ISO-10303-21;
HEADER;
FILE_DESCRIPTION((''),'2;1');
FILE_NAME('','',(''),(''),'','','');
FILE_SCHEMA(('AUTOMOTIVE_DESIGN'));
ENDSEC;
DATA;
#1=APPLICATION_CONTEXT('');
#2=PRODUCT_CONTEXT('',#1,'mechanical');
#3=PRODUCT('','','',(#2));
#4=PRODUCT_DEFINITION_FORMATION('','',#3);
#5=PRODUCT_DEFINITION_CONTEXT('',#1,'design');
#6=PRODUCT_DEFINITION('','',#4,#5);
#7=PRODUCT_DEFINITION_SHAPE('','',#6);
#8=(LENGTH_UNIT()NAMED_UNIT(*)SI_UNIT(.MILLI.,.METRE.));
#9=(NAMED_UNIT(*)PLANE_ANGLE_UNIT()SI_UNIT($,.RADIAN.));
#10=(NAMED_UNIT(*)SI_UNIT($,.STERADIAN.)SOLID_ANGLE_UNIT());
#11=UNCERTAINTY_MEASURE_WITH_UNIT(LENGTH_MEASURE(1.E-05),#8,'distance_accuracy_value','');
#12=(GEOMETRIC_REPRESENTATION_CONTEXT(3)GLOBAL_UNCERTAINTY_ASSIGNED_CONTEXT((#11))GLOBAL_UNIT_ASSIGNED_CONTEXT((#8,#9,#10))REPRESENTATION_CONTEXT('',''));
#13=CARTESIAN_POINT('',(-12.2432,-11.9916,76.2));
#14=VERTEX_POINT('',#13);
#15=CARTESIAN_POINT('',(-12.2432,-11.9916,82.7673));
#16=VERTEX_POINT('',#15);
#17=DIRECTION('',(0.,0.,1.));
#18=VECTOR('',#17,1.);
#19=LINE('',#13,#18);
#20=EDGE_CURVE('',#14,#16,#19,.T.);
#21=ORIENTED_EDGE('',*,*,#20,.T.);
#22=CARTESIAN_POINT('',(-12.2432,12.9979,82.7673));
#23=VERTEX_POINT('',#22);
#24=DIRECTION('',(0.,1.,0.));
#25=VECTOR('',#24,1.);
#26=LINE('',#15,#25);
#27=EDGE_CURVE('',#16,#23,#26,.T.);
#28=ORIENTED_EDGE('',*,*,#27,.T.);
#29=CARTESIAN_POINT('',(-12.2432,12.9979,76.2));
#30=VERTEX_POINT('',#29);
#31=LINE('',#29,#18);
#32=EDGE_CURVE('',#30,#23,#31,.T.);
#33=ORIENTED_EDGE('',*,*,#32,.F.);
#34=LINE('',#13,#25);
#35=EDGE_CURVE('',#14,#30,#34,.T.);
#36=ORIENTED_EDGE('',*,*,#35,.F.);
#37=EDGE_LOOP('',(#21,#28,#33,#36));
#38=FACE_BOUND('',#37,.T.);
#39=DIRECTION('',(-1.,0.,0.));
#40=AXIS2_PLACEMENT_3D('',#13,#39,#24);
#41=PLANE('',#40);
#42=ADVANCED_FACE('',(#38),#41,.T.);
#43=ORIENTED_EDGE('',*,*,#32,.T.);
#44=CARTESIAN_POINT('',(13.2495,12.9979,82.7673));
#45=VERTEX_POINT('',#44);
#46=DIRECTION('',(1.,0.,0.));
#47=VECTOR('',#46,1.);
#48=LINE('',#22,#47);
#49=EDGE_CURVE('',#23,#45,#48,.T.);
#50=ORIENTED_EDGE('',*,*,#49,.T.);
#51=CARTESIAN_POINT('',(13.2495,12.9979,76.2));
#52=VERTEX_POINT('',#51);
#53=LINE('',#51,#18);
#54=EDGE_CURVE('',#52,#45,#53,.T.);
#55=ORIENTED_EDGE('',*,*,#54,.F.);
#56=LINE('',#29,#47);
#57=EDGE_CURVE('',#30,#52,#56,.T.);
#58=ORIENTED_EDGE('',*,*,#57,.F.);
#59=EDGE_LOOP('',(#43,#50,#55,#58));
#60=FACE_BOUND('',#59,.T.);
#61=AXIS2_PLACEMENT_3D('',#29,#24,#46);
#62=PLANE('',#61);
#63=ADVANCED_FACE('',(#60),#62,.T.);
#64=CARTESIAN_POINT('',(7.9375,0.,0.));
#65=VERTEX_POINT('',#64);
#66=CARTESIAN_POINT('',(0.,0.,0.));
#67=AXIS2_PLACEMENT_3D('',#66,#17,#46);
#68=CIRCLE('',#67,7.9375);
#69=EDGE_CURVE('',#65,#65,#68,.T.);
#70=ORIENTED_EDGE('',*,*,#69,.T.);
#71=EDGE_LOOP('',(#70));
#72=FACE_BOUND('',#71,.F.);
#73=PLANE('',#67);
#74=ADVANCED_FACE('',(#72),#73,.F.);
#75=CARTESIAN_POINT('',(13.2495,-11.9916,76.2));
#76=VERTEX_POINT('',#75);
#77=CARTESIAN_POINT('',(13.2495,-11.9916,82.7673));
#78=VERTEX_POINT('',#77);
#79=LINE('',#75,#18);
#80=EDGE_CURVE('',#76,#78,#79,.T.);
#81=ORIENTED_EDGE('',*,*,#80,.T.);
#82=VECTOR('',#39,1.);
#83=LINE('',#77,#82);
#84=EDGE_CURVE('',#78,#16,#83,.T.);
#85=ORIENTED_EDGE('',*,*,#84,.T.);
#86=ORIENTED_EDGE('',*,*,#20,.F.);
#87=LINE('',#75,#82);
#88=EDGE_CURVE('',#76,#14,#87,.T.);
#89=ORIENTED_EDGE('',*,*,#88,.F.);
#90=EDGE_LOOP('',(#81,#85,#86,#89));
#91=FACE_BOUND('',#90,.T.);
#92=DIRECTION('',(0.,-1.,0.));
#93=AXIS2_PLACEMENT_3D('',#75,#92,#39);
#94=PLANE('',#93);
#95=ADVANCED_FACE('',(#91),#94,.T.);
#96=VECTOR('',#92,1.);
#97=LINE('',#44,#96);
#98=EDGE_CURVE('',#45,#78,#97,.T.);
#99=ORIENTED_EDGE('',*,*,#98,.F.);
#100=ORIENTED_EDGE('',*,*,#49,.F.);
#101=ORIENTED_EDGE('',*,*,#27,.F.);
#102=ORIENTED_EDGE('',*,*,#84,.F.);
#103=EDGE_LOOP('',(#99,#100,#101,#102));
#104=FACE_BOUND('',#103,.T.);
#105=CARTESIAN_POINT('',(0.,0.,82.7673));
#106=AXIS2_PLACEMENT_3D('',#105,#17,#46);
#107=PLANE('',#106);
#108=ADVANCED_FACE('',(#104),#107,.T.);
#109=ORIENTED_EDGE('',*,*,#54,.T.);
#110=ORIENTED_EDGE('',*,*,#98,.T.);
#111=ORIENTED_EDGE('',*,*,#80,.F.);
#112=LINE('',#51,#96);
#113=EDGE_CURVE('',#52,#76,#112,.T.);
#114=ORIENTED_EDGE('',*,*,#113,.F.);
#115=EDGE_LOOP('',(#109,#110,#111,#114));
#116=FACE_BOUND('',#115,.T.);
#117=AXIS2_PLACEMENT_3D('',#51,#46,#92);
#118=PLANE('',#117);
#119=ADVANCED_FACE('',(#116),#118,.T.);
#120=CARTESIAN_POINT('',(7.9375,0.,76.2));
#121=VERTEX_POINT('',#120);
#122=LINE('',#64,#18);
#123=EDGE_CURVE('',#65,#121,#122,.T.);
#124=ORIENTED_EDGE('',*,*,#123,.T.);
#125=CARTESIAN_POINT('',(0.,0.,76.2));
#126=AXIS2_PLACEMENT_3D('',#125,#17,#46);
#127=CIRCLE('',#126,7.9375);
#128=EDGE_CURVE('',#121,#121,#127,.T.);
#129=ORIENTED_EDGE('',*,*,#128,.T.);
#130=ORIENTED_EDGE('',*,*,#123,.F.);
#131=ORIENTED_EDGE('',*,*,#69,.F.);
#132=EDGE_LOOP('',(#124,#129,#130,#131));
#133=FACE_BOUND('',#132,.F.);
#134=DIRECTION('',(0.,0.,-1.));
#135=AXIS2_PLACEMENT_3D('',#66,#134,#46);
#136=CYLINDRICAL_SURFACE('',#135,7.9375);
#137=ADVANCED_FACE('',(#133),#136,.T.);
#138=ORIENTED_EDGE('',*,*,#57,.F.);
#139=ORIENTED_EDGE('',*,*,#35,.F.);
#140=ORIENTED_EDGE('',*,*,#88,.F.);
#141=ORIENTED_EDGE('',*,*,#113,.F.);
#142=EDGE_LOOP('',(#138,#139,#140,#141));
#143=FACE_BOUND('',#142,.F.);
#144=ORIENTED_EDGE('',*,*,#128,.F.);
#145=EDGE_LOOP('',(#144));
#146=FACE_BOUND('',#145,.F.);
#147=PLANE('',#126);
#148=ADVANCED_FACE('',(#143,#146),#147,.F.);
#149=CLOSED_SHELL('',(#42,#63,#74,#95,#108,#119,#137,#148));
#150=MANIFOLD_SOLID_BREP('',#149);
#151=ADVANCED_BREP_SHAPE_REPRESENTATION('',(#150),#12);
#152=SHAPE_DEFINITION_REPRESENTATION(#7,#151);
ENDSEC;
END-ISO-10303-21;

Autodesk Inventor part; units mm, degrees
ref_plane "YZ Plane" through (0, 0, 0) normal (1, 0, 0) x (0, 1, 0)
ref_plane "XZ Plane" through (0, 0, 0) normal (0, 1, 0) x (-1, 0, 0)
ref_plane "XY Plane" through (0, 0, 0) normal (0, 0, 1) x (1, 0, 0)
sketch "Sketch1" plane through (0, 0, 0) normal (0, 0, 1) x (1, 0, 0)
  circle A0 centre (0, 0) radius 7.9375
  dimension "d0" = 15.875
extrude "Extrusion1" add sketch "Sketch1" along normal blind 76.2
sketch "Sketch2" plane through (0, 0, 76.2) normal (0, 0, 1) x (1, 0, 0)
  line L0 (-12.2432, 12.9979) -> (13.2495, 12.9979)
  line L1 (13.2495, 12.9979) -> (13.2495, -11.9916)
  line L2 (13.2495, -11.9916) -> (-12.2432, -11.9916)
  line L3 (-12.2432, -11.9916) -> (-12.2432, 12.9979)
  point P0 (0, 0)
extrude "Extrusion2" add sketch "Sketch2" along normal blind 6.5673
properties part number "KBOLT"
